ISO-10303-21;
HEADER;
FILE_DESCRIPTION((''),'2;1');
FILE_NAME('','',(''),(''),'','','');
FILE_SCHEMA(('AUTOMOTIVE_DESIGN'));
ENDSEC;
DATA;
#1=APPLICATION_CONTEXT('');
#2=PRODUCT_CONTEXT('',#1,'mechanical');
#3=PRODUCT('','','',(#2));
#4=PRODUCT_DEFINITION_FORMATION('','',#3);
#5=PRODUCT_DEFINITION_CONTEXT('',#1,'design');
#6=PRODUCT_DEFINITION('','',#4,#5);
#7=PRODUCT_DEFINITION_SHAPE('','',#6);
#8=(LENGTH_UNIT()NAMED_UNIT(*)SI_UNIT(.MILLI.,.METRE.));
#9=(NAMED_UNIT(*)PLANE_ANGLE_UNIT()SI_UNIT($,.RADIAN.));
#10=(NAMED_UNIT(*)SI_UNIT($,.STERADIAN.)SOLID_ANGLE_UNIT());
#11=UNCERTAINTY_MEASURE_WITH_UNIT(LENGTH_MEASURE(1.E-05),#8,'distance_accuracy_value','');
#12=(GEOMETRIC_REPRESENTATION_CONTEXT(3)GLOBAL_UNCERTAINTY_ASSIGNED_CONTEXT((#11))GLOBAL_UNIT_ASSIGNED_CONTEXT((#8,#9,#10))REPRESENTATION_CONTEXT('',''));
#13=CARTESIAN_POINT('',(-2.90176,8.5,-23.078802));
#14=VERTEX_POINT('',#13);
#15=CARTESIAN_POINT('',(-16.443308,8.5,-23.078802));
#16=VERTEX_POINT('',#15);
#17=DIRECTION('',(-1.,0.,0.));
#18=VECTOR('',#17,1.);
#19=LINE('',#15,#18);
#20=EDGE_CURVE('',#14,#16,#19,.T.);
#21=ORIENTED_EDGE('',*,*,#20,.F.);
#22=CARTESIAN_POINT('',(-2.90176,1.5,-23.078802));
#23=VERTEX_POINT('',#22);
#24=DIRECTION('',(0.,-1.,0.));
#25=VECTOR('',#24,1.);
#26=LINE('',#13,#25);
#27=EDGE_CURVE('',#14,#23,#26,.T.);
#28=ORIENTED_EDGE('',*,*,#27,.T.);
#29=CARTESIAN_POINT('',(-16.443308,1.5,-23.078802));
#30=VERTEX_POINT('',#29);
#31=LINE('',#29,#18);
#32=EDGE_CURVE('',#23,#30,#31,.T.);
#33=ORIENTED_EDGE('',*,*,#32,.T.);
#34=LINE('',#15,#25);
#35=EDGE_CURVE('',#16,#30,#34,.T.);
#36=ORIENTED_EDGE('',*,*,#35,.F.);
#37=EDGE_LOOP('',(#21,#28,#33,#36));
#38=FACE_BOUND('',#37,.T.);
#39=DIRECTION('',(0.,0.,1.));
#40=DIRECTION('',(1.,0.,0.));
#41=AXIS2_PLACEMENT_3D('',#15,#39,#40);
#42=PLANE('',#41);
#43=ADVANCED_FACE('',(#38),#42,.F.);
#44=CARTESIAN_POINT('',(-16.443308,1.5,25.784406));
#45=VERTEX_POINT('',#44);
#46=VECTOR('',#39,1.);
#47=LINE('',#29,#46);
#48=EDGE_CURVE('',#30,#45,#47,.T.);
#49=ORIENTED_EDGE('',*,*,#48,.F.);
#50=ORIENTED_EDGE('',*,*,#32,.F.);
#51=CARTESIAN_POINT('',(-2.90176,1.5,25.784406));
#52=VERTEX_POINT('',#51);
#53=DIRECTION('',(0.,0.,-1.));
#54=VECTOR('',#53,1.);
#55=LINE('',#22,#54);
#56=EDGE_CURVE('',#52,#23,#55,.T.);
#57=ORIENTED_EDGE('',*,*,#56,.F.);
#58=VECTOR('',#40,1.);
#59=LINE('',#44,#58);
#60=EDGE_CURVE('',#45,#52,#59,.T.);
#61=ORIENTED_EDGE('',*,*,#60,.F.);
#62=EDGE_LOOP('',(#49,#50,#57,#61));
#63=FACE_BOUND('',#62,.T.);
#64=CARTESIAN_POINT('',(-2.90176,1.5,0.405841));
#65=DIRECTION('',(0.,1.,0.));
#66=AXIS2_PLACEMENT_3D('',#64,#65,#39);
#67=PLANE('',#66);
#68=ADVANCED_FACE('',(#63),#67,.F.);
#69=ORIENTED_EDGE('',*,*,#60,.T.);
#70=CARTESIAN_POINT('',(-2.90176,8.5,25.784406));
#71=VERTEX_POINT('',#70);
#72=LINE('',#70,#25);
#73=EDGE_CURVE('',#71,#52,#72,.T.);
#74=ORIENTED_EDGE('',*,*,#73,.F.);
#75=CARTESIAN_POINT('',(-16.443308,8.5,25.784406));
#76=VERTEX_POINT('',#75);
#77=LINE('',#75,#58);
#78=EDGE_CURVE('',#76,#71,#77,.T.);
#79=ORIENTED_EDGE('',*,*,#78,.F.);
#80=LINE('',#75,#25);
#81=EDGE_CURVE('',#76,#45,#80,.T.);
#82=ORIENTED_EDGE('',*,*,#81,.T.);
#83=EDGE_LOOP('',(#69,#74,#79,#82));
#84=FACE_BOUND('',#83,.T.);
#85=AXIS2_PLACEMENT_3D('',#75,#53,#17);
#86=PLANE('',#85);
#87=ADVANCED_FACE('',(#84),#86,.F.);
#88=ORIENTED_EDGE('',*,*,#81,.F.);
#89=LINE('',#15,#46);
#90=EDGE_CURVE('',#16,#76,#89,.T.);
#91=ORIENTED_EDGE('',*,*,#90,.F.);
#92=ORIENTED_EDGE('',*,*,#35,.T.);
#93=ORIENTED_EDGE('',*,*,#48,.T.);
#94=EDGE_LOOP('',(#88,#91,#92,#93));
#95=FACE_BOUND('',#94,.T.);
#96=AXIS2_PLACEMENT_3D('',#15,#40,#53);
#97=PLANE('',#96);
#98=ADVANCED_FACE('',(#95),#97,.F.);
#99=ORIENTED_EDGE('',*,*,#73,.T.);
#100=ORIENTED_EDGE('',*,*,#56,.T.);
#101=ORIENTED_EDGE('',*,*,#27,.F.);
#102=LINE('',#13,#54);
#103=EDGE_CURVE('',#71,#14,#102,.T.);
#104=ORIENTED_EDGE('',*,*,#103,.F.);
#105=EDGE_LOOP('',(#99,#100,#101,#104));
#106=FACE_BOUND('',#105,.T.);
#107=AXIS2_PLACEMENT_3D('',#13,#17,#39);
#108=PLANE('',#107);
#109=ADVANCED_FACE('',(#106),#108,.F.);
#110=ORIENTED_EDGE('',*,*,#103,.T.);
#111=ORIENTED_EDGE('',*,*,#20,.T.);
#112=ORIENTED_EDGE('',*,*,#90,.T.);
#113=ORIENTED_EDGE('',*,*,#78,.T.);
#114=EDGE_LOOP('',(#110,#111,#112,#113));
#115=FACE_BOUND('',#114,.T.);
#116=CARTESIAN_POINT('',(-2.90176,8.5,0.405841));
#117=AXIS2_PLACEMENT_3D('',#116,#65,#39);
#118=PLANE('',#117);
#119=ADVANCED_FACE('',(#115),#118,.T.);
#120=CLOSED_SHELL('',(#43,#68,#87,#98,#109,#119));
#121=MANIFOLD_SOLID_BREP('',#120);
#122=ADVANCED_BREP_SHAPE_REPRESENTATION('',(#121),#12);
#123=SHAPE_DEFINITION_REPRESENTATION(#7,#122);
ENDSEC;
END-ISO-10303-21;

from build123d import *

# Parameters (mm, degrees)
SKETCH1_W           = 19.345068399
SKETCH1_H           = 69.804582473
BOSS_EXTRUDE1_DEPTH = 10
SCALE1_SCALE        = 0.7


with BuildPart() as part:
    # Sketch1 → Boss-Extrude1 (new body)
    with BuildSketch(Plane(origin=(0, 0, 0), x_dir=(1, 0, 0), z_dir=(0, 1, 0))):
        with Locations((-9.6725342, -1.352801985)):
            Rectangle(SKETCH1_W, SKETCH1_H)
    extrude(amount=BOSS_EXTRUDE1_DEPTH)


with BuildPart() as part_1:
    # Scale1: scaled about (-9.672534199, 5, 1.352801986)
    add(part.part.scale(SCALE1_SCALE).moved(Location((-2.90176026, 1.5, 0.405840596))))


solid = part_1.part
